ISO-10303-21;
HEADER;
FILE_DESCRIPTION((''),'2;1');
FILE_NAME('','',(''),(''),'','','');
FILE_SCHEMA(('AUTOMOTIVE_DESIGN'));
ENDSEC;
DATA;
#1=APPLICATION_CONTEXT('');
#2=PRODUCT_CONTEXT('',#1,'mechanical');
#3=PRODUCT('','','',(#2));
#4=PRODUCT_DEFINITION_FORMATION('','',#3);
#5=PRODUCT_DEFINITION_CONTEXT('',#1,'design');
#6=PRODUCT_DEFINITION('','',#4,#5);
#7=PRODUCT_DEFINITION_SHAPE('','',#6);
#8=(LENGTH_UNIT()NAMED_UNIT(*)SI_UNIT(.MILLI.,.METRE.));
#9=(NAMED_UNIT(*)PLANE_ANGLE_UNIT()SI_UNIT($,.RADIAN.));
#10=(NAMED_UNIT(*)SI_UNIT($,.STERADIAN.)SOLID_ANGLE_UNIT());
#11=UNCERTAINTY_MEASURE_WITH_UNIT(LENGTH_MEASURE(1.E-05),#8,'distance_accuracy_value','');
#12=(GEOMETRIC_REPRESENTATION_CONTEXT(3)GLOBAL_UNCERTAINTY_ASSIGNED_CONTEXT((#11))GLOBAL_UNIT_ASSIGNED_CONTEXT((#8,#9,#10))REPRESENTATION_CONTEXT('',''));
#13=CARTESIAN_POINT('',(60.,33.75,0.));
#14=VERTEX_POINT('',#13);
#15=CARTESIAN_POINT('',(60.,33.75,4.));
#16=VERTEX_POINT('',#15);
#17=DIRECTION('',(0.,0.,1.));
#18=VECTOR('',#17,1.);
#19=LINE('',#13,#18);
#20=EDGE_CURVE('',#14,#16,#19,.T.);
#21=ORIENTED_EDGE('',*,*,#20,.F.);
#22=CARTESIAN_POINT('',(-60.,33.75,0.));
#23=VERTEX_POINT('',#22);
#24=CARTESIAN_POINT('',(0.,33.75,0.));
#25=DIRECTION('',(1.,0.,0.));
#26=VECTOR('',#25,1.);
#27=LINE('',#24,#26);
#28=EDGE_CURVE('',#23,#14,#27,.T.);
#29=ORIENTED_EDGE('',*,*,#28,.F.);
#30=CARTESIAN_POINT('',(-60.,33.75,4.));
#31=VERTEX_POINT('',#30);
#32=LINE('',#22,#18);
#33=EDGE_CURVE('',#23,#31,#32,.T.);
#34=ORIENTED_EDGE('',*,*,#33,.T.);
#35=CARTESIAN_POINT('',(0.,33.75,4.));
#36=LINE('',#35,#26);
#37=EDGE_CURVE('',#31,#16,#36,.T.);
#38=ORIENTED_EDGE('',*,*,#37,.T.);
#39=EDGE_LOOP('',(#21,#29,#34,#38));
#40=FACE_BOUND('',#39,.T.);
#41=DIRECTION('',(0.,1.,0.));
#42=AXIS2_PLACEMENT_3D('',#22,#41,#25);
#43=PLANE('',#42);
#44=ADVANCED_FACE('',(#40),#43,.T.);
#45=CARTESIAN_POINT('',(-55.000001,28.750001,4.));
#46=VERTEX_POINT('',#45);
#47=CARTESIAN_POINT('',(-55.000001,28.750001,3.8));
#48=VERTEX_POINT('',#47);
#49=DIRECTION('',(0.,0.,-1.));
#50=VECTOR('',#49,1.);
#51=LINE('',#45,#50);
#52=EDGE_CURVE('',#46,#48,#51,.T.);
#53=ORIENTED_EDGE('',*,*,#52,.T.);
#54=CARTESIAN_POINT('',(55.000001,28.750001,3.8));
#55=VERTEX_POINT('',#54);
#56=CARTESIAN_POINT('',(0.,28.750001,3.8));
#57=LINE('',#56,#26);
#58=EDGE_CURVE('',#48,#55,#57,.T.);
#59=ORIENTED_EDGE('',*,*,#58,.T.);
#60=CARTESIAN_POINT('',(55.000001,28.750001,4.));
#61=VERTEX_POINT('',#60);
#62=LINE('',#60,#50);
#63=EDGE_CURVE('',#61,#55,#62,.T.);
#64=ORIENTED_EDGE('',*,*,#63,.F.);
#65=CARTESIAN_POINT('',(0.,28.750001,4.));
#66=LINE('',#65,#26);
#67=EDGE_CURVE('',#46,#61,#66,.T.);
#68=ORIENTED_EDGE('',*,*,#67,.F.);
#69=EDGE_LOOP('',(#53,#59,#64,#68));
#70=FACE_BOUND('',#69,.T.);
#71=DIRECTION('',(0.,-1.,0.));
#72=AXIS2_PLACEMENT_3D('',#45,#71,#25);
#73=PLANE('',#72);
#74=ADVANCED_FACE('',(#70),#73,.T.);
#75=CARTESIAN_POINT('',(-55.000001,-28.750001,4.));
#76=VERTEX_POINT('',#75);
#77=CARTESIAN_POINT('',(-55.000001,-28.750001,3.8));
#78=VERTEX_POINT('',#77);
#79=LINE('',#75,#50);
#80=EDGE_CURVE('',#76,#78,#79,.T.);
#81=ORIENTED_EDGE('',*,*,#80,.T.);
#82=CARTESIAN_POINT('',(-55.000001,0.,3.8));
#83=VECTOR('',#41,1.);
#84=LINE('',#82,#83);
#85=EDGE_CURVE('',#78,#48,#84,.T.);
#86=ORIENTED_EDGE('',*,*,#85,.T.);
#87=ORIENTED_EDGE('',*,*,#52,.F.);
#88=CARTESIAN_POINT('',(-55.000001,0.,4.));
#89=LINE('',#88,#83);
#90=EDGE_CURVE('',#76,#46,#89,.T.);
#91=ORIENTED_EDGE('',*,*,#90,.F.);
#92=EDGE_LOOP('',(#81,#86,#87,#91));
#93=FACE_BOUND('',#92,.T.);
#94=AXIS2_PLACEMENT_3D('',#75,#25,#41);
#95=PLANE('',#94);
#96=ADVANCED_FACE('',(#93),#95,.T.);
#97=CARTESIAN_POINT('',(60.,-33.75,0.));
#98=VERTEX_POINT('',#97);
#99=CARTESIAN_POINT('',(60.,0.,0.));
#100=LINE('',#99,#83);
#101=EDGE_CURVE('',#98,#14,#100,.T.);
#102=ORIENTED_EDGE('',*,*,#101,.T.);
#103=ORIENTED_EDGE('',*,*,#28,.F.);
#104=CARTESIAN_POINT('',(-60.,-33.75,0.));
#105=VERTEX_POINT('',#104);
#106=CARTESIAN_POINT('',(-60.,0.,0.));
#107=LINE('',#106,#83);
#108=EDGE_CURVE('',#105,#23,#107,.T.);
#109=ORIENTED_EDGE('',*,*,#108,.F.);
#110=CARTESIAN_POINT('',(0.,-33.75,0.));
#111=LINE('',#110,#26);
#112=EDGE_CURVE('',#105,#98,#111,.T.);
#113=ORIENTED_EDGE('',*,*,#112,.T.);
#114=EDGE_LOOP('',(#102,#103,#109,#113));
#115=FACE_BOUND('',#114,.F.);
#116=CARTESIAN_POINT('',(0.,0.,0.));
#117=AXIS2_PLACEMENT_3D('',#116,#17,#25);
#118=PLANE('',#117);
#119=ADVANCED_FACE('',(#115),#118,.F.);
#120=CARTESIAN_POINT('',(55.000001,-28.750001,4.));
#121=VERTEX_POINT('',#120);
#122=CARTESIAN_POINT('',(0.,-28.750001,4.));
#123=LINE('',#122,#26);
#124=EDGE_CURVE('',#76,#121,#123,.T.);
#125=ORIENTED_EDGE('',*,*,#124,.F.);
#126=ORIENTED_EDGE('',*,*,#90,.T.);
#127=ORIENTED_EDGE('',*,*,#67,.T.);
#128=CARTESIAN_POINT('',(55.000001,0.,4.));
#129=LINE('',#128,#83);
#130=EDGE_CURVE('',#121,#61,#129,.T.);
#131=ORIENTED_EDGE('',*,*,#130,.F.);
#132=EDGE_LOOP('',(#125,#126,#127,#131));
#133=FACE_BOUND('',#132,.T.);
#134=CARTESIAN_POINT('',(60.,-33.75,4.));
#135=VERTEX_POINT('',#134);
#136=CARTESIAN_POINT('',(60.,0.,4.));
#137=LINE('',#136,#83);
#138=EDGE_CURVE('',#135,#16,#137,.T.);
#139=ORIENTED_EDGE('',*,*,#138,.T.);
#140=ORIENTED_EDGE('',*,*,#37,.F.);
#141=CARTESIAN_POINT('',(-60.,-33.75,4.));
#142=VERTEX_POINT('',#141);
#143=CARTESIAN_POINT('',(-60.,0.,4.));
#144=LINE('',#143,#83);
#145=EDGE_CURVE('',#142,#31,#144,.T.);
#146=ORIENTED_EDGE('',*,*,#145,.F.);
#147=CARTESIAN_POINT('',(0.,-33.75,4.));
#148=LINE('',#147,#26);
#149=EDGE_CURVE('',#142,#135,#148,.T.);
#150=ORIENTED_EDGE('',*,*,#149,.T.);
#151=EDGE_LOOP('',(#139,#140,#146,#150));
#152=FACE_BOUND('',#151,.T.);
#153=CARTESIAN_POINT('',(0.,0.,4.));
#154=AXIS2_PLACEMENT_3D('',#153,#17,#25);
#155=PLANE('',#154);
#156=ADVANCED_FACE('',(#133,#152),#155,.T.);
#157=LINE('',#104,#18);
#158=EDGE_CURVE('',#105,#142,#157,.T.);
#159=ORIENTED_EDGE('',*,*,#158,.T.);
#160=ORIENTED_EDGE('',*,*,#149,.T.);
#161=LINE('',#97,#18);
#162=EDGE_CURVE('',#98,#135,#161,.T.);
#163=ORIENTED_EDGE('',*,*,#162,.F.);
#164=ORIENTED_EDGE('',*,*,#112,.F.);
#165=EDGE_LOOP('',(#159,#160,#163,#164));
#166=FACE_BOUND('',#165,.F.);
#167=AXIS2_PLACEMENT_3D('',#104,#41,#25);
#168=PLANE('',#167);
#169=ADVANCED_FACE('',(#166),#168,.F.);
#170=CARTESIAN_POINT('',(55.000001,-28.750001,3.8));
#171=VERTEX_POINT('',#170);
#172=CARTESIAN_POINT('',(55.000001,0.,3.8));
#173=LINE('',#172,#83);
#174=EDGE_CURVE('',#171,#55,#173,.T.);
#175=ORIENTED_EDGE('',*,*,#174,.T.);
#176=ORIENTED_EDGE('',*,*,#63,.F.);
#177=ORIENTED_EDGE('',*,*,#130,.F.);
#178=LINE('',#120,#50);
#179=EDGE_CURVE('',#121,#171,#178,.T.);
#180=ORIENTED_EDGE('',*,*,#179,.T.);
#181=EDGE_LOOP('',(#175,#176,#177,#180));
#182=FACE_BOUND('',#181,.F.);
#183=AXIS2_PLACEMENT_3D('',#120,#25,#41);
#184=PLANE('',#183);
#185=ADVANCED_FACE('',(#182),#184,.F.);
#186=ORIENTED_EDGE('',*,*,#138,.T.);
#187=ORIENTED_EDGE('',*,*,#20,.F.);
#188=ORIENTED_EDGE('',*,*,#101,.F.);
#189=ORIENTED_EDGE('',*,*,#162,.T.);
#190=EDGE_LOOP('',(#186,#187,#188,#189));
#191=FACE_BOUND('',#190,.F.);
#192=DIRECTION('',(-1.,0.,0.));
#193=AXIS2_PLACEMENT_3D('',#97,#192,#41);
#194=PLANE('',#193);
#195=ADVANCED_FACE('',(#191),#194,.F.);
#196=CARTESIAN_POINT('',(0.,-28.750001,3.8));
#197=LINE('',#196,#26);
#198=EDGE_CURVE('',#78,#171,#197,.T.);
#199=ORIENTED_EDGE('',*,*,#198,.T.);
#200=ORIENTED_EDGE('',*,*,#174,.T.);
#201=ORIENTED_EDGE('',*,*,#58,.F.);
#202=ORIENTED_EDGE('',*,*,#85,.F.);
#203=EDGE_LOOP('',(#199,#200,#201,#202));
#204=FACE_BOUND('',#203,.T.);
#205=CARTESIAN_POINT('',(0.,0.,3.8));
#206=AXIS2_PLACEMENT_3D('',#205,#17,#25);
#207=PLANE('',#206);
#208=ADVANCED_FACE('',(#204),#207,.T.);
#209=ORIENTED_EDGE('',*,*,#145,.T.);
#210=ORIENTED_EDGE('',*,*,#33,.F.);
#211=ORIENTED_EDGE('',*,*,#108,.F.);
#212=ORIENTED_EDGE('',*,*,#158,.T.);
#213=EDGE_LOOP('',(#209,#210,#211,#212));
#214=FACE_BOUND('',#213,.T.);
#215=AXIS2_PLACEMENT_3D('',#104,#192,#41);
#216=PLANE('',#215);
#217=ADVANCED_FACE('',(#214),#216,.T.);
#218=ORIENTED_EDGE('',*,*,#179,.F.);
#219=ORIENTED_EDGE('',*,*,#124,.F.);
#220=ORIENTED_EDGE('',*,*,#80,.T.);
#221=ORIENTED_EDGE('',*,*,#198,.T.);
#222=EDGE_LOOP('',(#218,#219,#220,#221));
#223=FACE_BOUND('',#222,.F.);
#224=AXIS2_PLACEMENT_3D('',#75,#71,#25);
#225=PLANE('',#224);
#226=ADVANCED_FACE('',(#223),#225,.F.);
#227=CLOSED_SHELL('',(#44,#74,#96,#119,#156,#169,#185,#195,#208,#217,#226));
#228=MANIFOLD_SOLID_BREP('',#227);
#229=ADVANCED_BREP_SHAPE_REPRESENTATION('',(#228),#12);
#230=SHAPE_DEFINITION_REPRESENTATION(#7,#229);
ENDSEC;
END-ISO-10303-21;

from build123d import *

# Parameters (mm, degrees)
F0_W     = 120
F0_H     = 67.5
F0_W_2   = 110.000002
F0_H_2   = 57.500002
F1_DEPTH = 4
F2_W     = 110.000002
F2_H     = 57.500002
F3_DEPTH = 0.2


with BuildPart() as f1:
    # F0 (on Top) → F1 (new body)
    with BuildSketch(Plane.XY):
        Rectangle(F0_W, F0_H)
        Rectangle(F0_W_2, F0_H_2, mode=Mode.SUBTRACT)
        Rectangle(F0_W_2, F0_H_2)
    extrude(amount=F1_DEPTH)

    # F2 (on face) → F3 (cut)
    with BuildSketch(Plane.XY.offset(4)):
        Rectangle(F2_W, F2_H)
    extrude(amount=-F3_DEPTH, mode=Mode.SUBTRACT)


solid = f1.part
